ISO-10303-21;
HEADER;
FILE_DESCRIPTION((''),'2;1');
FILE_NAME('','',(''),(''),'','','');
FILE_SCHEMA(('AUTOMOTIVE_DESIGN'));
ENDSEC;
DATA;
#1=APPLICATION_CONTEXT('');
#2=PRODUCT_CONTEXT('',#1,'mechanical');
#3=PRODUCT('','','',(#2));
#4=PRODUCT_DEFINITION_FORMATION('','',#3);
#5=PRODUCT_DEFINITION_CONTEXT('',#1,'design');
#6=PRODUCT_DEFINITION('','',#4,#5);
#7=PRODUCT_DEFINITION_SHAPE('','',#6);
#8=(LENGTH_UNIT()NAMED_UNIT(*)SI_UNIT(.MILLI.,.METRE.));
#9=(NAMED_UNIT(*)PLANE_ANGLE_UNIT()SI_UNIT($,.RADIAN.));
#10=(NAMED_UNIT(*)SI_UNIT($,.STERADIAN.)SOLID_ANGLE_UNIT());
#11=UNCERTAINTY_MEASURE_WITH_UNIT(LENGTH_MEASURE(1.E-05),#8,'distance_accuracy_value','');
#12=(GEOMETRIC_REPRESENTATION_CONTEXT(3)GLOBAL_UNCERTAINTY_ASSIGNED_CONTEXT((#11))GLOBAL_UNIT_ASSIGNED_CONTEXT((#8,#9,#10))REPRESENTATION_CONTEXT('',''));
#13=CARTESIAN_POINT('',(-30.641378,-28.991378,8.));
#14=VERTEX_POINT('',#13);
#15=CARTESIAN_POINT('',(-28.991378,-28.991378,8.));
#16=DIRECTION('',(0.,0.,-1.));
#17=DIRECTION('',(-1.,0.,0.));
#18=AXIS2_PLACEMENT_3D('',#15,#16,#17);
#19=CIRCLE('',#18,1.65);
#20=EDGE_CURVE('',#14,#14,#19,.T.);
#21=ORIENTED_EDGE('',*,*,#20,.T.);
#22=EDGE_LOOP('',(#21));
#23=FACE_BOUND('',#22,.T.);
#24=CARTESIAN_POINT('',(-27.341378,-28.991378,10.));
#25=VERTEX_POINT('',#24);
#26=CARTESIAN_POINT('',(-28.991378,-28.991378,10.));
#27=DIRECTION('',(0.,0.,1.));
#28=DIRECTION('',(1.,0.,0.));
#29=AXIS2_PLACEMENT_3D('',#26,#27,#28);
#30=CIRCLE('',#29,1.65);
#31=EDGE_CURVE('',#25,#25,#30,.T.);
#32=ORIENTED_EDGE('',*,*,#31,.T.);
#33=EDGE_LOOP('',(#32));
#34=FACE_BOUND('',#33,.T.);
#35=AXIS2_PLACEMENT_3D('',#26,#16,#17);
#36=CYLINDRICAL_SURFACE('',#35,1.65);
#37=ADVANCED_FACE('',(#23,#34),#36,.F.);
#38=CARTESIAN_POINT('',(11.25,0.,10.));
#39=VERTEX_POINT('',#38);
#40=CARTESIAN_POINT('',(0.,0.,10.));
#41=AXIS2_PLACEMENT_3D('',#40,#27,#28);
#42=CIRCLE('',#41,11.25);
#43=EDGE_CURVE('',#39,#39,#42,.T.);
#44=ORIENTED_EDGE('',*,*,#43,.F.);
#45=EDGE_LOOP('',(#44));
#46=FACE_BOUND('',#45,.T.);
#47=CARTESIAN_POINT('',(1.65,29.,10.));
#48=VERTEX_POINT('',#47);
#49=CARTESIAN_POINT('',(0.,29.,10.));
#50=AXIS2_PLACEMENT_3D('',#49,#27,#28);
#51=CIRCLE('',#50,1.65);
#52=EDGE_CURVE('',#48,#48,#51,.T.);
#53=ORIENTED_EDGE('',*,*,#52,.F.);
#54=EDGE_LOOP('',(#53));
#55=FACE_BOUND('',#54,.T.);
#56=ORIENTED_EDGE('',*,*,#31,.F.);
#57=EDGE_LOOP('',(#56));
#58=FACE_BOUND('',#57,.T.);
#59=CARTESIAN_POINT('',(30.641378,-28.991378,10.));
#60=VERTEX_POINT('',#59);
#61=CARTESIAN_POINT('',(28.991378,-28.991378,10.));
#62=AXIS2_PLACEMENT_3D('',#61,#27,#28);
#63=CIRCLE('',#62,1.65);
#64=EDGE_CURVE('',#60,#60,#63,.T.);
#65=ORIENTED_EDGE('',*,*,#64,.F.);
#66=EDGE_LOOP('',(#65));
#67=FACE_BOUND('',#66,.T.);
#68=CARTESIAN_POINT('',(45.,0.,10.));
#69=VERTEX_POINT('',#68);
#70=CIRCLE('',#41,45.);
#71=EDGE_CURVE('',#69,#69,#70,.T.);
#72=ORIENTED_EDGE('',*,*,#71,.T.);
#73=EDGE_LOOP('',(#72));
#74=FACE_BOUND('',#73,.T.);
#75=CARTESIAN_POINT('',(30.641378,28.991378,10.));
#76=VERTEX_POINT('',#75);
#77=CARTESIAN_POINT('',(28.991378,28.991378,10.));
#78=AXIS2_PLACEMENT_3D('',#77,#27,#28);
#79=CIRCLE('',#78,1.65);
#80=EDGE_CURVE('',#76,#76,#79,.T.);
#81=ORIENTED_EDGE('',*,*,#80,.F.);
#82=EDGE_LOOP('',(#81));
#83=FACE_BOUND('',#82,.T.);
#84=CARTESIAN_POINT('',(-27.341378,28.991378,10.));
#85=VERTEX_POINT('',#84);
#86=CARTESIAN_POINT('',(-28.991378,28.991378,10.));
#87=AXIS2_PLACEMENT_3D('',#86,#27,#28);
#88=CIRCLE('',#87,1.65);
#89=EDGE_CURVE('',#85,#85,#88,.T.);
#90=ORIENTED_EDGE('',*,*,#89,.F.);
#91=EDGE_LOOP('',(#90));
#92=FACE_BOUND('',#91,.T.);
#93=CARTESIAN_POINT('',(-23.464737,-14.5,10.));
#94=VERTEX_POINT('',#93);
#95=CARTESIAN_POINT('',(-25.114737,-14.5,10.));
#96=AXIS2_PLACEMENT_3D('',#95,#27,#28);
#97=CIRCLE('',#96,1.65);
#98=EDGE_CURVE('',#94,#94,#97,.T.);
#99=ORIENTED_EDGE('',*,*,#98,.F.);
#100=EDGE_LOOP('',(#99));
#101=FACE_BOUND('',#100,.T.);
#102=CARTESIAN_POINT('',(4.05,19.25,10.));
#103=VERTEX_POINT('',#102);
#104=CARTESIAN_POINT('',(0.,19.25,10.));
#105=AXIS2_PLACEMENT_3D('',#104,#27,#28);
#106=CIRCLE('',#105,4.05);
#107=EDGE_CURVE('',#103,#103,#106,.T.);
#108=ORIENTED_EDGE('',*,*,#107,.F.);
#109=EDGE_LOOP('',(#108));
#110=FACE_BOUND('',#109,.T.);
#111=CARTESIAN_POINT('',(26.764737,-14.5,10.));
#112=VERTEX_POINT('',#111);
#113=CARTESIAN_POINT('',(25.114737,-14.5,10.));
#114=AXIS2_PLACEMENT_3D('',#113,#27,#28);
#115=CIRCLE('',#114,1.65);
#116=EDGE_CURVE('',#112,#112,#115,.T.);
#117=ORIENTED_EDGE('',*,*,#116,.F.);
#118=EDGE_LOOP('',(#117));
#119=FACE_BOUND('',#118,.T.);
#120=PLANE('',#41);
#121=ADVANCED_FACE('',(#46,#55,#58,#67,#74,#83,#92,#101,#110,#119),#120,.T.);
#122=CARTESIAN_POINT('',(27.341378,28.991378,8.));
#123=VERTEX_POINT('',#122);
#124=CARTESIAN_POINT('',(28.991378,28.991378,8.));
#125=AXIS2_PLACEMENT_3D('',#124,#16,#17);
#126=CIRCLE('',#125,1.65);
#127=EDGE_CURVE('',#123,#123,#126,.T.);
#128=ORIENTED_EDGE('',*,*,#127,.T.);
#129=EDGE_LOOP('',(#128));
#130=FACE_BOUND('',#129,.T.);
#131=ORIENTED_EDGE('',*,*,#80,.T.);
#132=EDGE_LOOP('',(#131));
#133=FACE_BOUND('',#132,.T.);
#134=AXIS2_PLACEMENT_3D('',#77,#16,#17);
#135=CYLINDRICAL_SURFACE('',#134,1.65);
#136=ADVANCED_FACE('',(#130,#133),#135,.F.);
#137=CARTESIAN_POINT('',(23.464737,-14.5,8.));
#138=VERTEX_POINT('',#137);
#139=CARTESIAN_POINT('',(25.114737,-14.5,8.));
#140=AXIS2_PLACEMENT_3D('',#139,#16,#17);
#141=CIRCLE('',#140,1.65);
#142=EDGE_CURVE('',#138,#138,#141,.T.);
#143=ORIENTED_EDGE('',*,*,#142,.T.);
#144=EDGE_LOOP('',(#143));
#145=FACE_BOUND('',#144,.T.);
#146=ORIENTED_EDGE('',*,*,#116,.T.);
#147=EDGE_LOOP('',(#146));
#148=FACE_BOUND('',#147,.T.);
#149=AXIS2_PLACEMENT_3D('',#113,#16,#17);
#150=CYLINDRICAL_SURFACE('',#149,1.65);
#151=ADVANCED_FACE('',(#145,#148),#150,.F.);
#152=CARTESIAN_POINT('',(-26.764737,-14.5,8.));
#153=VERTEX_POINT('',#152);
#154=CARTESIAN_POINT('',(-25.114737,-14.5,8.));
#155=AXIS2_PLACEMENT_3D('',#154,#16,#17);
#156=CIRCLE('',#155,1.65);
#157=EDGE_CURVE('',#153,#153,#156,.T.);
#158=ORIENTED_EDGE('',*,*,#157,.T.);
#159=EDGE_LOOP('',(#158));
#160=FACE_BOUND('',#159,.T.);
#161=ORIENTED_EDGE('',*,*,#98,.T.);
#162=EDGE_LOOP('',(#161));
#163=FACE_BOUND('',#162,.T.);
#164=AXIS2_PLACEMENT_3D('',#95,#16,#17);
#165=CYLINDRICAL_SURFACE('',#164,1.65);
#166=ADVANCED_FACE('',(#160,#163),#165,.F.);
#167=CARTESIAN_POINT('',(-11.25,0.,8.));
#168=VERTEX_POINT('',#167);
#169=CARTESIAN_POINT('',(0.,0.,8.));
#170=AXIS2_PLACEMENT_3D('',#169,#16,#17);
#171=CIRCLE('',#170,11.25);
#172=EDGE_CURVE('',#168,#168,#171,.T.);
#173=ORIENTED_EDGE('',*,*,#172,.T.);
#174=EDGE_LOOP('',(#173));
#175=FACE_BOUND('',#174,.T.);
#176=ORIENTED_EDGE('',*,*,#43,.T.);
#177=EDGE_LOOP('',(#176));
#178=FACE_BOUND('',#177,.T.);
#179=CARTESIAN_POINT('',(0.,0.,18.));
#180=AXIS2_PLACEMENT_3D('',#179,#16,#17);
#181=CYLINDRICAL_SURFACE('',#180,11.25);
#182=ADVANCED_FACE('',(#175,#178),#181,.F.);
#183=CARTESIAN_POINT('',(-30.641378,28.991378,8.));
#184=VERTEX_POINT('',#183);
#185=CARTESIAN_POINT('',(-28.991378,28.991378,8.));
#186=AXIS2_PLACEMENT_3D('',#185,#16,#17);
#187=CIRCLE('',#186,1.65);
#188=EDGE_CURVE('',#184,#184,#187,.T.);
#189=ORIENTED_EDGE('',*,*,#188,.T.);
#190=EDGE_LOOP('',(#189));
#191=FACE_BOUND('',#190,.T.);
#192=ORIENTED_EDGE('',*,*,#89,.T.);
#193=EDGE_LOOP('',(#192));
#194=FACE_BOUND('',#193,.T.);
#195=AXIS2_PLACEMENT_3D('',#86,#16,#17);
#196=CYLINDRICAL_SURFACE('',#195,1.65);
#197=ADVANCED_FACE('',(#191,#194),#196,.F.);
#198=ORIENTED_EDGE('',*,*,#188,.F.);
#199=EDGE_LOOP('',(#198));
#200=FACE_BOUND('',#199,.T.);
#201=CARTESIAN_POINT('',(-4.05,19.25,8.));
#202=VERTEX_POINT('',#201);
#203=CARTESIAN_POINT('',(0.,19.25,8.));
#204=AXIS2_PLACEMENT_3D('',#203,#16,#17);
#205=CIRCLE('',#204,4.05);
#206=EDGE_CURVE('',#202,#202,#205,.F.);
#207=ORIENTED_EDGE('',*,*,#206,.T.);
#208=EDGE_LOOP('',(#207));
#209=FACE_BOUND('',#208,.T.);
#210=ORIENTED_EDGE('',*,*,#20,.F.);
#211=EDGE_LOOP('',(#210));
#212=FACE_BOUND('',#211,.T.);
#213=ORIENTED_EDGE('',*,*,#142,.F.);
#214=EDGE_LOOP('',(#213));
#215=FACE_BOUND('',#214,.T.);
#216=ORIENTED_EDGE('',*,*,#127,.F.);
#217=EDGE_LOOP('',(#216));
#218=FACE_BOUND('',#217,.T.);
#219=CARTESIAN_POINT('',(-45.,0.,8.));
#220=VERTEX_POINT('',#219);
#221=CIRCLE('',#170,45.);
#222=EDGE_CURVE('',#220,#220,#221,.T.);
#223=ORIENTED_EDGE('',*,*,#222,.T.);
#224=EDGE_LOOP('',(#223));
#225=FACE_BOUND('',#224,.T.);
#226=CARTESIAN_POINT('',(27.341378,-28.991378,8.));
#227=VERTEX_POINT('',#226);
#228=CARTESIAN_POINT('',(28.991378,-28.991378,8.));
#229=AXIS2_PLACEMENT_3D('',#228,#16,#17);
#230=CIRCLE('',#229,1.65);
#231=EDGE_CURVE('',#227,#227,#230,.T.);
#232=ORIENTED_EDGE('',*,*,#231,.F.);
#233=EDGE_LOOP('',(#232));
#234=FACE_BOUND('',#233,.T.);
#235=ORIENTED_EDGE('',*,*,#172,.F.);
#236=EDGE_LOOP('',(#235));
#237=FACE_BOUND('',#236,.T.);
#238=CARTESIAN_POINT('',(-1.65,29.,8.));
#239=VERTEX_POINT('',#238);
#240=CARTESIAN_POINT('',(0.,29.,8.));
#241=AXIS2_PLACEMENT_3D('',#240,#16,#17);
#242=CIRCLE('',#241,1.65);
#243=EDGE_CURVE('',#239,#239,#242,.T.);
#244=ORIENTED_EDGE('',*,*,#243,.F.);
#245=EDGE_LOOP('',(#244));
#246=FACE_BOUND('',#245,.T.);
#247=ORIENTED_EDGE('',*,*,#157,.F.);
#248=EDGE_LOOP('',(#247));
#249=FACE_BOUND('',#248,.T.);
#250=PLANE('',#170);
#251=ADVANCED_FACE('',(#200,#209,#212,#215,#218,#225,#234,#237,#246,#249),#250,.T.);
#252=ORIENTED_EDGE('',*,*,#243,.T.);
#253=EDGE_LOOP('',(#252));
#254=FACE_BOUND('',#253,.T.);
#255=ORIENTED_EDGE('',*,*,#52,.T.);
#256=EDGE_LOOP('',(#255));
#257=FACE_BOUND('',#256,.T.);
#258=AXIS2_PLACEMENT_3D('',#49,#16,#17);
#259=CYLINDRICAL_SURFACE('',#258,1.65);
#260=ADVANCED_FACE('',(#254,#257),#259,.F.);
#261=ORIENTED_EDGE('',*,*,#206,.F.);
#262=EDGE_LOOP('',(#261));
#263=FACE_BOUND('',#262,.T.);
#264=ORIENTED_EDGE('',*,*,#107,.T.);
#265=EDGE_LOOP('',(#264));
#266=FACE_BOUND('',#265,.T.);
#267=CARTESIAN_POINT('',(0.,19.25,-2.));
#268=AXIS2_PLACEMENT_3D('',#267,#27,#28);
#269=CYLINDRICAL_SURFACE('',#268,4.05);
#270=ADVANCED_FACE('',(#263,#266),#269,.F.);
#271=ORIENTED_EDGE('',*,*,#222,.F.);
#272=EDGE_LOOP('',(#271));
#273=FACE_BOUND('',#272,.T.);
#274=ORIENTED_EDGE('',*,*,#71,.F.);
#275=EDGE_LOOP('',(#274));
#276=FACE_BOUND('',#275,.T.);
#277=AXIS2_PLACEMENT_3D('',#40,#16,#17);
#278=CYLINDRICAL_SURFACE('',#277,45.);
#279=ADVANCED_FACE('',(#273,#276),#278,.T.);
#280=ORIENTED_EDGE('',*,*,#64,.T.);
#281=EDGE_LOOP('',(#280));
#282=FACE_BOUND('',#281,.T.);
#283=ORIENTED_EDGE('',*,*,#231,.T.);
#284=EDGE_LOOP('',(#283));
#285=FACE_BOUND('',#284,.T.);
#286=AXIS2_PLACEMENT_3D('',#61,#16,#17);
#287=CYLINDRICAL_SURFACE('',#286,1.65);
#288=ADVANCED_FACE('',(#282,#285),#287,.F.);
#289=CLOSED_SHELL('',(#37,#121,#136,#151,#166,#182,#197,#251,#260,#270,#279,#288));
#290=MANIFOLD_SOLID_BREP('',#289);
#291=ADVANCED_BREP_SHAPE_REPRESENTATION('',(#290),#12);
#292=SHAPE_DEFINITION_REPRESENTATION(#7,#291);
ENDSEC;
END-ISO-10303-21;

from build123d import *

# Parameters (mm, degrees)
SKETCH_1_R           = 45
SKETCH_1_R_2         = 1.65
SKETCH_1_R_3         = 10.15
EXTRUDE_1_DEPTH      = 10
SKETCH_2_R           = 4.05
CUT_EXTRUDE_1_DEPTH  = 12
SKETCH_5_R           = 34.5
CUT_EXTRUDE_4_DEPTH  = 3
CUT_EXTRUDE_6_DEPTH  = 3
SKETCH_10_R          = 45
CUT_EXTRUDE_9_DEPTH  = 8
SKETCH_11_R          = 11.25
CUT_EXTRUDE_10_DEPTH = 10


with BuildPart() as part:
    # 草图1 → 凸台-拉伸1 (new body)
    with BuildSketch(Plane.XY):
        Circle(SKETCH_1_R)
        with Locations((-28.991378029, 28.991378029)):
            Circle(SKETCH_1_R_2, mode=Mode.SUBTRACT)
        with Locations((28.991378029, 28.991378029)):
            Circle(SKETCH_1_R_2, mode=Mode.SUBTRACT)
        with Locations((-28.991378029, -28.991378029)):
            Circle(SKETCH_1_R_2, mode=Mode.SUBTRACT)
        with Locations((28.991378029, -28.991378029)):
            Circle(SKETCH_1_R_2, mode=Mode.SUBTRACT)
        with Locations((0, 29)):
            Circle(SKETCH_1_R_2, mode=Mode.SUBTRACT)
        with Locations((-25.11473671, -14.5)):
            Circle(SKETCH_1_R_2, mode=Mode.SUBTRACT)
        with Locations((25.11473671, -14.5)):
            Circle(SKETCH_1_R_2, mode=Mode.SUBTRACT)
        Circle(SKETCH_1_R_3, mode=Mode.SUBTRACT)
    extrude(amount=EXTRUDE_1_DEPTH)

    # 草图2 → 切除-拉伸1 (cut)
    with BuildSketch(Plane.XY.offset(10)):
        with Locations((0, 19.25)):
            Circle(SKETCH_2_R)
    extrude(amount=-CUT_EXTRUDE_1_DEPTH, mode=Mode.SUBTRACT)

    # 草图5 → 切除-拉伸4 (cut)
    with BuildSketch(Plane(origin=(0, 0, 0), x_dir=(-1, 0, 0), z_dir=(0, 0, -1))):
        Circle(SKETCH_5_R)
    extrude(amount=-CUT_EXTRUDE_4_DEPTH, mode=Mode.SUBTRACT)

    # 草图7 → 切除-拉伸6 (cut)
    with BuildSketch(Plane(origin=(0, 0, 3), x_dir=(-1, 0, 0), z_dir=(0, 0, -1))):
        Polygon((0, 0), (-25.071115349, -53.76518037), (25.215961405, -54.075803739), align=None)
    extrude(amount=CUT_EXTRUDE_6_DEPTH, mode=Mode.SUBTRACT)

    # 草图10 → 切除-拉伸9 (cut)
    with BuildSketch(Plane(origin=(0, 0, 0), x_dir=(-1, 0, 0), z_dir=(0, 0, -1))):
        Circle(SKETCH_10_R)
    extrude(amount=-CUT_EXTRUDE_9_DEPTH, mode=Mode.SUBTRACT)

    # 草图11 → 切除-拉伸10 (cut)
    with BuildSketch(Plane(origin=(0, 0, 8), x_dir=(-1, 0, 0), z_dir=(0, 0, -1))):
        Circle(SKETCH_11_R)
    extrude(amount=-CUT_EXTRUDE_10_DEPTH, mode=Mode.SUBTRACT)


solid = part.part
